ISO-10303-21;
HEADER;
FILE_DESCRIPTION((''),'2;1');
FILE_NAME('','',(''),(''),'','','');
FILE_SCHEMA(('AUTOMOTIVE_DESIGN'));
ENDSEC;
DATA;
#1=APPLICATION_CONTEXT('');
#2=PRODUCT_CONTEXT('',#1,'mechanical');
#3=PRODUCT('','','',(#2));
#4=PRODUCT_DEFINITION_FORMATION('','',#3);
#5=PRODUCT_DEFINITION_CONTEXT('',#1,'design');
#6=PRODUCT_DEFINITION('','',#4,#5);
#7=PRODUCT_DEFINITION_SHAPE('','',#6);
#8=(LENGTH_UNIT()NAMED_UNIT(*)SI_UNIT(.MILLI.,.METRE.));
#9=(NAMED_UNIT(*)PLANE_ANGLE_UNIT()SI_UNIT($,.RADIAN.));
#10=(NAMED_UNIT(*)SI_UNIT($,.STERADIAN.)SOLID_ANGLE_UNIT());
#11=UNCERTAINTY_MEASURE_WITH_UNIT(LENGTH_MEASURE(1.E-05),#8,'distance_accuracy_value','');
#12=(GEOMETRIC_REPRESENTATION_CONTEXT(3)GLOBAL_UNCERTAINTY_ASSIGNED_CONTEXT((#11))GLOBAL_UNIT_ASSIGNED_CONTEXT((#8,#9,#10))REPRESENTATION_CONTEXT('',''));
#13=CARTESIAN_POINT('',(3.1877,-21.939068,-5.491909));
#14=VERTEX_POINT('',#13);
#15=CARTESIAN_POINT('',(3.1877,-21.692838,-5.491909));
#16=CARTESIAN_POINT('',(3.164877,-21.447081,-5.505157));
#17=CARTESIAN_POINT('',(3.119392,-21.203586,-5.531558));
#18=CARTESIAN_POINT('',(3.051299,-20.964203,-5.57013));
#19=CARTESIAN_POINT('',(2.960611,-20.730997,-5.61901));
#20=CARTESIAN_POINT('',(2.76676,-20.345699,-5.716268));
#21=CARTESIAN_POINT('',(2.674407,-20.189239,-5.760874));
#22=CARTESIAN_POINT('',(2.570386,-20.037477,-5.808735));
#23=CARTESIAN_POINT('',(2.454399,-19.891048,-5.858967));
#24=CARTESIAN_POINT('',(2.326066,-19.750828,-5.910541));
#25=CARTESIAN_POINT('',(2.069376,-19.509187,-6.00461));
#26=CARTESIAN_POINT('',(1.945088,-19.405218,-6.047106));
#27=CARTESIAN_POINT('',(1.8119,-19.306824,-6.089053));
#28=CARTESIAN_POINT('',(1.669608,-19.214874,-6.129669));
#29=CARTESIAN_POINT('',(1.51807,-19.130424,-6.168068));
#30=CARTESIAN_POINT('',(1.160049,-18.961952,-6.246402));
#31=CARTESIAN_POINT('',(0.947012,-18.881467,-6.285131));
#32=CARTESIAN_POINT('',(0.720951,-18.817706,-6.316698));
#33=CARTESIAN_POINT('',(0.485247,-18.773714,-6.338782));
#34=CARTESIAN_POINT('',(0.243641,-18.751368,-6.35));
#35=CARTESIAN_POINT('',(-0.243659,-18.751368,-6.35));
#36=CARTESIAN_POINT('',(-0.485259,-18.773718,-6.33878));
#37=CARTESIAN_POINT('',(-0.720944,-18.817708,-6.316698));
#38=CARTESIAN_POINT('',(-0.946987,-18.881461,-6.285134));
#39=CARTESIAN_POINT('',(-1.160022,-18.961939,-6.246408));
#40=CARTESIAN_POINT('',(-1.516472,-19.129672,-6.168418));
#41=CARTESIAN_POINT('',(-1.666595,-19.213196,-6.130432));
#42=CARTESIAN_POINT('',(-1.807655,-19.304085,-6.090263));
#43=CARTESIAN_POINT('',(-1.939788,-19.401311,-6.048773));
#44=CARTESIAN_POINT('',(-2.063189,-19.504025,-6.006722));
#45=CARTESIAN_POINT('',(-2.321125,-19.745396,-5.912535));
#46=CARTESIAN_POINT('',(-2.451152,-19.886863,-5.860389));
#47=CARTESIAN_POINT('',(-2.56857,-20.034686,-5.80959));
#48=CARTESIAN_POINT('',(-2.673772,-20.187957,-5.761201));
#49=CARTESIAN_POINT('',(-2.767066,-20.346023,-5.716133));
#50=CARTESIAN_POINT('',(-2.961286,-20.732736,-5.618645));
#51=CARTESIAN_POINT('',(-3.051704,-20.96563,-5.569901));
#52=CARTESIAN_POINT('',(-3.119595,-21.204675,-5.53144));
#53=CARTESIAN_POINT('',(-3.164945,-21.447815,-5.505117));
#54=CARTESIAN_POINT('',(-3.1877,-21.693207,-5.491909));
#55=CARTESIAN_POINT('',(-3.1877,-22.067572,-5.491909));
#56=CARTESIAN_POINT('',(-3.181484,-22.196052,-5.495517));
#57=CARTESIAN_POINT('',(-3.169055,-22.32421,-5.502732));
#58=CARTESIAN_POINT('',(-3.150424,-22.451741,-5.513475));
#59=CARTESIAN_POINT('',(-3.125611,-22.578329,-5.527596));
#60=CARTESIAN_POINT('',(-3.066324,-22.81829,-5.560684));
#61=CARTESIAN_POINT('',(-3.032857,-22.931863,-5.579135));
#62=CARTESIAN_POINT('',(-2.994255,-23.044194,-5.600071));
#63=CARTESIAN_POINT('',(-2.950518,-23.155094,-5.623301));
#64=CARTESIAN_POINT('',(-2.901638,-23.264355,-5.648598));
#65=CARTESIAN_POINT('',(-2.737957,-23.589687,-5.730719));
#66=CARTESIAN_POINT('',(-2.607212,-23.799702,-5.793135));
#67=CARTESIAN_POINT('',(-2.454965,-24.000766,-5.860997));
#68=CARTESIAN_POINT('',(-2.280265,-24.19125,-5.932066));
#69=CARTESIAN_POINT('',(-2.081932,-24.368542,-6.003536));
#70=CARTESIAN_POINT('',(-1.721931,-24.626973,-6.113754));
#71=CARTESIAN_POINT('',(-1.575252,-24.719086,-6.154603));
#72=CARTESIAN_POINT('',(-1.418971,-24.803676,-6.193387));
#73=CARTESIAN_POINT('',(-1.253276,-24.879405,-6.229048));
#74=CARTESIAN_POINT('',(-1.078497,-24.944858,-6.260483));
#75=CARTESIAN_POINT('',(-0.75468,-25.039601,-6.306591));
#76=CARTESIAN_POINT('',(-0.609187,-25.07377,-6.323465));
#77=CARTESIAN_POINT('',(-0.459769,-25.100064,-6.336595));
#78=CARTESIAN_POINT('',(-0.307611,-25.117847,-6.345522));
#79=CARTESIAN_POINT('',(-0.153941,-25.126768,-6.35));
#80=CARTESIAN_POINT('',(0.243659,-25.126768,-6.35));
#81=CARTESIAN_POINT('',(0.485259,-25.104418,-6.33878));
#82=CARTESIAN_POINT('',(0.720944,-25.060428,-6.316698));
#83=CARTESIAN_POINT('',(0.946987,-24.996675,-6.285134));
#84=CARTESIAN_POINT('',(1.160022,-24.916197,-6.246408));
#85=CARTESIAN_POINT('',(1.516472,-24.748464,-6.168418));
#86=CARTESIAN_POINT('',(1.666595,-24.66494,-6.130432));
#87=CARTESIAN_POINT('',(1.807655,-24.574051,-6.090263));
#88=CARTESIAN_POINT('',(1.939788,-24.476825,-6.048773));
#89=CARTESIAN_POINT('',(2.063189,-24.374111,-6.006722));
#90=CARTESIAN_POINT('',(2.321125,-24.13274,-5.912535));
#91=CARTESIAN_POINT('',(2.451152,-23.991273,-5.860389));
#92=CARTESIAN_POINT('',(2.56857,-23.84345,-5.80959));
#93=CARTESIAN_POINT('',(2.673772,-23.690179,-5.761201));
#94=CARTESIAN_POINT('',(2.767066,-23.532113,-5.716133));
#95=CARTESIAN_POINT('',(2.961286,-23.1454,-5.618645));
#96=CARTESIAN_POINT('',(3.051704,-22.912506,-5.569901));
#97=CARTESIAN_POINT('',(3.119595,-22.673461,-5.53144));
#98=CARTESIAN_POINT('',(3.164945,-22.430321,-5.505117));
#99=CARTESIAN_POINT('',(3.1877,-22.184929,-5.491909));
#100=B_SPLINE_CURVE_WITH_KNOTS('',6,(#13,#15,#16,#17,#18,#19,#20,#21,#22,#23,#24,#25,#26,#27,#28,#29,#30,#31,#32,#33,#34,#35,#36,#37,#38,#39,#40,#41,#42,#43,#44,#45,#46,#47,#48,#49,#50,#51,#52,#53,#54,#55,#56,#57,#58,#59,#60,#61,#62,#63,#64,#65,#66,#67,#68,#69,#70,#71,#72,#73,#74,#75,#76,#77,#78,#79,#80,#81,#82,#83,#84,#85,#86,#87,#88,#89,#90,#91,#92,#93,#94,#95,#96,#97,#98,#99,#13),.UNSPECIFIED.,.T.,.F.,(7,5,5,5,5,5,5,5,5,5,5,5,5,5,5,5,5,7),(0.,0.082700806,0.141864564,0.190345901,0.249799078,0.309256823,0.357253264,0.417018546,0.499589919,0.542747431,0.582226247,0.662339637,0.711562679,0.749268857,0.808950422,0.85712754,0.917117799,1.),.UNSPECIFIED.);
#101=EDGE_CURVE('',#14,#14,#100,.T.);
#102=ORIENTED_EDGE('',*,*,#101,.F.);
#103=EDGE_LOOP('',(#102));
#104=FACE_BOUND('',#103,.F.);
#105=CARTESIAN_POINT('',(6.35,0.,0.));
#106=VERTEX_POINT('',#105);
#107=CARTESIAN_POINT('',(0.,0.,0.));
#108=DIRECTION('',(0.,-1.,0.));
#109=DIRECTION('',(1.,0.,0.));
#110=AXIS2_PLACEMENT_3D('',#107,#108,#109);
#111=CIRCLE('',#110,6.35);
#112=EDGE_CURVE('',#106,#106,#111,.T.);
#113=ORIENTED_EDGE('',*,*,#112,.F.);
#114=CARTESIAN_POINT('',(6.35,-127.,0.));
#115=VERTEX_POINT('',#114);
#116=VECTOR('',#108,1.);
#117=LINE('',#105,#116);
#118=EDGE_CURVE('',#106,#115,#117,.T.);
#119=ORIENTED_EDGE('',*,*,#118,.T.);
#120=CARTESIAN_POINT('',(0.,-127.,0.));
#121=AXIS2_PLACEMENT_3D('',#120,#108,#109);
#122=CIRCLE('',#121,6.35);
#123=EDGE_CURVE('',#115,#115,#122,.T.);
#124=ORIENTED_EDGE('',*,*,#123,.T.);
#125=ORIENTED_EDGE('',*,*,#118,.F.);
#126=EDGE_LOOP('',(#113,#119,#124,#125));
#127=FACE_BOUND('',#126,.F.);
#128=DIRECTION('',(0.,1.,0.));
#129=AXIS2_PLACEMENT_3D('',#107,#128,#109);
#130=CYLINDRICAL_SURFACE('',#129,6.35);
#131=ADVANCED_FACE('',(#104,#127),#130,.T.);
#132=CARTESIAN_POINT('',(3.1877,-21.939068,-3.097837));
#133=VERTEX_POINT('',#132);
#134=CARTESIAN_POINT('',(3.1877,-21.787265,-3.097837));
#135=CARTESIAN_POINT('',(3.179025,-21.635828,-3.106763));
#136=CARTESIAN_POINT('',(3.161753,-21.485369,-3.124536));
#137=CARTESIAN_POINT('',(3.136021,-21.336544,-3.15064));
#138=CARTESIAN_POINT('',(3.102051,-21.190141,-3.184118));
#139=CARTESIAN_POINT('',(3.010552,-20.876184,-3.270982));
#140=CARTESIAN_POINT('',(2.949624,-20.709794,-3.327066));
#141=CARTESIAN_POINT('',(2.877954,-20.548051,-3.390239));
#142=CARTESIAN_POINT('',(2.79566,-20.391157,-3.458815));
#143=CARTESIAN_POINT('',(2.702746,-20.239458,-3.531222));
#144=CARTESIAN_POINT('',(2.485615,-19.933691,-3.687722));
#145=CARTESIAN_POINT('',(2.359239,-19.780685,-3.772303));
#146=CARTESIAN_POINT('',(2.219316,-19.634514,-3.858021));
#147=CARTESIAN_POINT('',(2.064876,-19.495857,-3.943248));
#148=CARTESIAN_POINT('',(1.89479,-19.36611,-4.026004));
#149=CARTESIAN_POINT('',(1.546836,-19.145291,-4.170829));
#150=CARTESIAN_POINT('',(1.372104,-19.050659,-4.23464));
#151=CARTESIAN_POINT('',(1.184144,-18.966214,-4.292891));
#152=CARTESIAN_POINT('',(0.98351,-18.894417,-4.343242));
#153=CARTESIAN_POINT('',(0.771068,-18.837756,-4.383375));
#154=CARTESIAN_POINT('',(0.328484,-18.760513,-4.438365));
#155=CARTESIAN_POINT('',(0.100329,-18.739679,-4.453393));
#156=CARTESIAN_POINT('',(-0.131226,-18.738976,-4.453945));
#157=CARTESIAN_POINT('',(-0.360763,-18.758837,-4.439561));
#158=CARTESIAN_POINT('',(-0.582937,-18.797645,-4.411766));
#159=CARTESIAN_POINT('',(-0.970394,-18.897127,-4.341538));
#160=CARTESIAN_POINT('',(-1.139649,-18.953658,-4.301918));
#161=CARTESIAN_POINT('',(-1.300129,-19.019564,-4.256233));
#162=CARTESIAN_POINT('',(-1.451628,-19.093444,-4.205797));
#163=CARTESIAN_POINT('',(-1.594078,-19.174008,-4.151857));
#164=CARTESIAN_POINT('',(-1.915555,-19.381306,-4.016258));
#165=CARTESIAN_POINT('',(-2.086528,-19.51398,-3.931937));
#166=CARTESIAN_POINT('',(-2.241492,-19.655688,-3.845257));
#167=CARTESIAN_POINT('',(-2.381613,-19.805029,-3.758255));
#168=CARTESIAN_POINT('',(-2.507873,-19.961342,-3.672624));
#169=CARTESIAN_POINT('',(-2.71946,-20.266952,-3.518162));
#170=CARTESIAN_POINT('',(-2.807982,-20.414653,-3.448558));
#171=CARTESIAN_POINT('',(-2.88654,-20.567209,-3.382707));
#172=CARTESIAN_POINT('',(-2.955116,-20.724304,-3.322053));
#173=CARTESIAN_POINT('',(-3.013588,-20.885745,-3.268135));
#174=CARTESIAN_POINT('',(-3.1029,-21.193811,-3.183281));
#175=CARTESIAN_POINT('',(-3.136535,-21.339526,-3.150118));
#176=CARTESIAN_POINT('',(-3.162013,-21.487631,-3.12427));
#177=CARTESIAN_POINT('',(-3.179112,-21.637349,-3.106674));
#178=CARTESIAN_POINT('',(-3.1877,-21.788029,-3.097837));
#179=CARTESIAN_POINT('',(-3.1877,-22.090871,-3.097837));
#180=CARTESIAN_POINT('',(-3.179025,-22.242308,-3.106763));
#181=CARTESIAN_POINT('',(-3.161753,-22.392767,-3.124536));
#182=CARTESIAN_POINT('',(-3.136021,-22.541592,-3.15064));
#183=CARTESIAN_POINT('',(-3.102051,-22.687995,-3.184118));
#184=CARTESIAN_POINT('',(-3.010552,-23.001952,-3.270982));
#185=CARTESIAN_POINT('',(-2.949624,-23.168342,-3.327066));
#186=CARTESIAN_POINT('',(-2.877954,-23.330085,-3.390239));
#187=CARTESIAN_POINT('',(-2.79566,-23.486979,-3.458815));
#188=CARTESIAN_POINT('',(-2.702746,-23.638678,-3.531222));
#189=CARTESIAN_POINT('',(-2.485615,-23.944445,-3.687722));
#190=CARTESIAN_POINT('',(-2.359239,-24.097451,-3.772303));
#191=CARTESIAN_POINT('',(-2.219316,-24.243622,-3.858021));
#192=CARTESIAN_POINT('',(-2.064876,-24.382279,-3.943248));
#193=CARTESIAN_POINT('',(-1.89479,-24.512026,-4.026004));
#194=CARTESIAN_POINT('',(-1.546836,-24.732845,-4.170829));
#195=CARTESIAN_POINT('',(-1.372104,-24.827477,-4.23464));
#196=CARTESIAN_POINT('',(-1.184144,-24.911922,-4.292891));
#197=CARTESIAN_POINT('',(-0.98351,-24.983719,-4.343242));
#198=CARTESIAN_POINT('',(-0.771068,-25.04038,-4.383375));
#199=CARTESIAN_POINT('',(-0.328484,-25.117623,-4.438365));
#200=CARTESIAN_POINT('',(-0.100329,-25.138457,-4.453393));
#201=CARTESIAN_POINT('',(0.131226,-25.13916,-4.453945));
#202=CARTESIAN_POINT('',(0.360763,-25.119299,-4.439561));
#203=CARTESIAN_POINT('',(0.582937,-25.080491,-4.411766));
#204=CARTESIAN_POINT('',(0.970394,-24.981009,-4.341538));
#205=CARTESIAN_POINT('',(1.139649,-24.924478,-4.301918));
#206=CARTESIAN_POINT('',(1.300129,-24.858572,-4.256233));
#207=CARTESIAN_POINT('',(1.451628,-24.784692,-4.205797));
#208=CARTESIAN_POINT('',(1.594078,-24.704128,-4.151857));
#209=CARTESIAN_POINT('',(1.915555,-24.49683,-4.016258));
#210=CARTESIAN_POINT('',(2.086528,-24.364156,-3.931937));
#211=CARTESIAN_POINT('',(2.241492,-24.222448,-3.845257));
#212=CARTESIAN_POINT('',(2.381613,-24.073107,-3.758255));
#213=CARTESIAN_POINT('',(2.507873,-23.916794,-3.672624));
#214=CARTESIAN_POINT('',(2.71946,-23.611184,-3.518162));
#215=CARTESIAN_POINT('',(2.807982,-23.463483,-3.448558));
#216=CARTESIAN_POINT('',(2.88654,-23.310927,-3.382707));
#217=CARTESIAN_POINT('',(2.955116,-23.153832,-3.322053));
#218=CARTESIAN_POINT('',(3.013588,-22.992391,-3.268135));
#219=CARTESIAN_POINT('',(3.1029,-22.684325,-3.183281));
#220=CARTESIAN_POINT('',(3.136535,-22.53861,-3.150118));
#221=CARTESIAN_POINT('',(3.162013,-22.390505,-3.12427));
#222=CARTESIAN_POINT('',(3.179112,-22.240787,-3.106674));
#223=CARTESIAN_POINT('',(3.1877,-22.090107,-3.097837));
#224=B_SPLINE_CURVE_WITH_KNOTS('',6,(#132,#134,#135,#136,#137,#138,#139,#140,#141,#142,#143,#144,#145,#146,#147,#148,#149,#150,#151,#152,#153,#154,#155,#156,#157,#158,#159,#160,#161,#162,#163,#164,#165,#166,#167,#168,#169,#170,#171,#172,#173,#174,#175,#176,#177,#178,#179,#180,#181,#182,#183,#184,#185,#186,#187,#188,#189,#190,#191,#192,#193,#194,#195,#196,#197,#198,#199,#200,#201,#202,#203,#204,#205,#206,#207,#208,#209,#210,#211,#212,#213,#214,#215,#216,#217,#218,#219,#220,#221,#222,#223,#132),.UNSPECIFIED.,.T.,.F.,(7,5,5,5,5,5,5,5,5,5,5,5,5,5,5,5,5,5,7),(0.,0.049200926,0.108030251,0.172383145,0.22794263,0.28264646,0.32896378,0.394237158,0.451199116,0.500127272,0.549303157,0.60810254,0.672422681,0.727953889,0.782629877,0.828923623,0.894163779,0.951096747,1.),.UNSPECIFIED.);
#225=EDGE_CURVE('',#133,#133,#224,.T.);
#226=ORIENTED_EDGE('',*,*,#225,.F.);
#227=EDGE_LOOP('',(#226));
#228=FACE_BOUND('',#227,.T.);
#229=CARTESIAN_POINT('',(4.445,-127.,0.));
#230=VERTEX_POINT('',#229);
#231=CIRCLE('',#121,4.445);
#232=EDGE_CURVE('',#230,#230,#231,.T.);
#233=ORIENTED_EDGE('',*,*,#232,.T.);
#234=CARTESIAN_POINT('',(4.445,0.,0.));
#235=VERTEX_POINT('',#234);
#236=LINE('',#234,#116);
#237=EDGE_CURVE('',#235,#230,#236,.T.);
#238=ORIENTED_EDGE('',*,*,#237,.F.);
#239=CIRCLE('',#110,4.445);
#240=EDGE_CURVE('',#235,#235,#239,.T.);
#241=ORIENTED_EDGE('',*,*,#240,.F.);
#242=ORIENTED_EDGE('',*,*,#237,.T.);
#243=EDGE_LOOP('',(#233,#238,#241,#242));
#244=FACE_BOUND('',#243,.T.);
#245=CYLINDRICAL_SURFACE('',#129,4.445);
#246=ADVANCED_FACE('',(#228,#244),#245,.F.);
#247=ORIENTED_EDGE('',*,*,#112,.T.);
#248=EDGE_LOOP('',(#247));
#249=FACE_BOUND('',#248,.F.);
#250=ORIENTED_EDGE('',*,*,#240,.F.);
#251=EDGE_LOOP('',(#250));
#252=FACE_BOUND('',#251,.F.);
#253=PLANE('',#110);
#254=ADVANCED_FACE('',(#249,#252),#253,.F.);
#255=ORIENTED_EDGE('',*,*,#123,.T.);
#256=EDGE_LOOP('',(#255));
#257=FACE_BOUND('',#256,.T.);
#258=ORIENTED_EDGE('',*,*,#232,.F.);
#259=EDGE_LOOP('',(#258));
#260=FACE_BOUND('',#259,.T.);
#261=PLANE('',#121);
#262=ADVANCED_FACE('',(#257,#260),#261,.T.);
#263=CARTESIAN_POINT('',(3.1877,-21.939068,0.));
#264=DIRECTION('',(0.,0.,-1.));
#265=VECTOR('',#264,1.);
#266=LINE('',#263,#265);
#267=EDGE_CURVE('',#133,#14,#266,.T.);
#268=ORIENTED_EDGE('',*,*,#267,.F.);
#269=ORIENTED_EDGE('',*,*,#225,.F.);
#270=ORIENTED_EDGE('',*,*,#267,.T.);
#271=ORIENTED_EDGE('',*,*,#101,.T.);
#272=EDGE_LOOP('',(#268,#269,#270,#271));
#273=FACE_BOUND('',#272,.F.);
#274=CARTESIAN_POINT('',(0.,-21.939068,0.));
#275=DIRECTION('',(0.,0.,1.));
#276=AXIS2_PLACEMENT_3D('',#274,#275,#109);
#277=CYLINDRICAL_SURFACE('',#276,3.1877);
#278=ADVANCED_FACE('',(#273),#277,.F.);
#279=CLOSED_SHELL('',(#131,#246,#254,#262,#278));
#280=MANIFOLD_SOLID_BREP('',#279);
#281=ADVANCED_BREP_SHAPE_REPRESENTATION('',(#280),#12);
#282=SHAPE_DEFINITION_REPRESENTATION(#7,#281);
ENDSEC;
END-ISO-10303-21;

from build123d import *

# Parameters (mm, degrees)
F0_R     = 6.35
F1_DEPTH = 127
F2_R     = 4.445
F3_DEPTH = 127
F4_R     = 3.1877
F5_DEPTH = 6.351


with BuildPart() as f1:
    # F0 (on Front) → F1 (new body)
    with BuildSketch(Plane.XZ):
        Circle(F0_R)
    extrude(amount=F1_DEPTH)

    # F2 (on Front) → F3 (cut)
    with BuildSketch(Plane.XZ):
        Circle(F2_R)
    extrude(amount=F3_DEPTH, mode=Mode.SUBTRACT)

    # F4 (on Top) → F5 (cut, through all)
    with BuildSketch(Plane.XY):
        with Locations((0, -21.939068)):
            Circle(F4_R)
    extrude(amount=-F5_DEPTH, mode=Mode.SUBTRACT)


solid = f1.part
